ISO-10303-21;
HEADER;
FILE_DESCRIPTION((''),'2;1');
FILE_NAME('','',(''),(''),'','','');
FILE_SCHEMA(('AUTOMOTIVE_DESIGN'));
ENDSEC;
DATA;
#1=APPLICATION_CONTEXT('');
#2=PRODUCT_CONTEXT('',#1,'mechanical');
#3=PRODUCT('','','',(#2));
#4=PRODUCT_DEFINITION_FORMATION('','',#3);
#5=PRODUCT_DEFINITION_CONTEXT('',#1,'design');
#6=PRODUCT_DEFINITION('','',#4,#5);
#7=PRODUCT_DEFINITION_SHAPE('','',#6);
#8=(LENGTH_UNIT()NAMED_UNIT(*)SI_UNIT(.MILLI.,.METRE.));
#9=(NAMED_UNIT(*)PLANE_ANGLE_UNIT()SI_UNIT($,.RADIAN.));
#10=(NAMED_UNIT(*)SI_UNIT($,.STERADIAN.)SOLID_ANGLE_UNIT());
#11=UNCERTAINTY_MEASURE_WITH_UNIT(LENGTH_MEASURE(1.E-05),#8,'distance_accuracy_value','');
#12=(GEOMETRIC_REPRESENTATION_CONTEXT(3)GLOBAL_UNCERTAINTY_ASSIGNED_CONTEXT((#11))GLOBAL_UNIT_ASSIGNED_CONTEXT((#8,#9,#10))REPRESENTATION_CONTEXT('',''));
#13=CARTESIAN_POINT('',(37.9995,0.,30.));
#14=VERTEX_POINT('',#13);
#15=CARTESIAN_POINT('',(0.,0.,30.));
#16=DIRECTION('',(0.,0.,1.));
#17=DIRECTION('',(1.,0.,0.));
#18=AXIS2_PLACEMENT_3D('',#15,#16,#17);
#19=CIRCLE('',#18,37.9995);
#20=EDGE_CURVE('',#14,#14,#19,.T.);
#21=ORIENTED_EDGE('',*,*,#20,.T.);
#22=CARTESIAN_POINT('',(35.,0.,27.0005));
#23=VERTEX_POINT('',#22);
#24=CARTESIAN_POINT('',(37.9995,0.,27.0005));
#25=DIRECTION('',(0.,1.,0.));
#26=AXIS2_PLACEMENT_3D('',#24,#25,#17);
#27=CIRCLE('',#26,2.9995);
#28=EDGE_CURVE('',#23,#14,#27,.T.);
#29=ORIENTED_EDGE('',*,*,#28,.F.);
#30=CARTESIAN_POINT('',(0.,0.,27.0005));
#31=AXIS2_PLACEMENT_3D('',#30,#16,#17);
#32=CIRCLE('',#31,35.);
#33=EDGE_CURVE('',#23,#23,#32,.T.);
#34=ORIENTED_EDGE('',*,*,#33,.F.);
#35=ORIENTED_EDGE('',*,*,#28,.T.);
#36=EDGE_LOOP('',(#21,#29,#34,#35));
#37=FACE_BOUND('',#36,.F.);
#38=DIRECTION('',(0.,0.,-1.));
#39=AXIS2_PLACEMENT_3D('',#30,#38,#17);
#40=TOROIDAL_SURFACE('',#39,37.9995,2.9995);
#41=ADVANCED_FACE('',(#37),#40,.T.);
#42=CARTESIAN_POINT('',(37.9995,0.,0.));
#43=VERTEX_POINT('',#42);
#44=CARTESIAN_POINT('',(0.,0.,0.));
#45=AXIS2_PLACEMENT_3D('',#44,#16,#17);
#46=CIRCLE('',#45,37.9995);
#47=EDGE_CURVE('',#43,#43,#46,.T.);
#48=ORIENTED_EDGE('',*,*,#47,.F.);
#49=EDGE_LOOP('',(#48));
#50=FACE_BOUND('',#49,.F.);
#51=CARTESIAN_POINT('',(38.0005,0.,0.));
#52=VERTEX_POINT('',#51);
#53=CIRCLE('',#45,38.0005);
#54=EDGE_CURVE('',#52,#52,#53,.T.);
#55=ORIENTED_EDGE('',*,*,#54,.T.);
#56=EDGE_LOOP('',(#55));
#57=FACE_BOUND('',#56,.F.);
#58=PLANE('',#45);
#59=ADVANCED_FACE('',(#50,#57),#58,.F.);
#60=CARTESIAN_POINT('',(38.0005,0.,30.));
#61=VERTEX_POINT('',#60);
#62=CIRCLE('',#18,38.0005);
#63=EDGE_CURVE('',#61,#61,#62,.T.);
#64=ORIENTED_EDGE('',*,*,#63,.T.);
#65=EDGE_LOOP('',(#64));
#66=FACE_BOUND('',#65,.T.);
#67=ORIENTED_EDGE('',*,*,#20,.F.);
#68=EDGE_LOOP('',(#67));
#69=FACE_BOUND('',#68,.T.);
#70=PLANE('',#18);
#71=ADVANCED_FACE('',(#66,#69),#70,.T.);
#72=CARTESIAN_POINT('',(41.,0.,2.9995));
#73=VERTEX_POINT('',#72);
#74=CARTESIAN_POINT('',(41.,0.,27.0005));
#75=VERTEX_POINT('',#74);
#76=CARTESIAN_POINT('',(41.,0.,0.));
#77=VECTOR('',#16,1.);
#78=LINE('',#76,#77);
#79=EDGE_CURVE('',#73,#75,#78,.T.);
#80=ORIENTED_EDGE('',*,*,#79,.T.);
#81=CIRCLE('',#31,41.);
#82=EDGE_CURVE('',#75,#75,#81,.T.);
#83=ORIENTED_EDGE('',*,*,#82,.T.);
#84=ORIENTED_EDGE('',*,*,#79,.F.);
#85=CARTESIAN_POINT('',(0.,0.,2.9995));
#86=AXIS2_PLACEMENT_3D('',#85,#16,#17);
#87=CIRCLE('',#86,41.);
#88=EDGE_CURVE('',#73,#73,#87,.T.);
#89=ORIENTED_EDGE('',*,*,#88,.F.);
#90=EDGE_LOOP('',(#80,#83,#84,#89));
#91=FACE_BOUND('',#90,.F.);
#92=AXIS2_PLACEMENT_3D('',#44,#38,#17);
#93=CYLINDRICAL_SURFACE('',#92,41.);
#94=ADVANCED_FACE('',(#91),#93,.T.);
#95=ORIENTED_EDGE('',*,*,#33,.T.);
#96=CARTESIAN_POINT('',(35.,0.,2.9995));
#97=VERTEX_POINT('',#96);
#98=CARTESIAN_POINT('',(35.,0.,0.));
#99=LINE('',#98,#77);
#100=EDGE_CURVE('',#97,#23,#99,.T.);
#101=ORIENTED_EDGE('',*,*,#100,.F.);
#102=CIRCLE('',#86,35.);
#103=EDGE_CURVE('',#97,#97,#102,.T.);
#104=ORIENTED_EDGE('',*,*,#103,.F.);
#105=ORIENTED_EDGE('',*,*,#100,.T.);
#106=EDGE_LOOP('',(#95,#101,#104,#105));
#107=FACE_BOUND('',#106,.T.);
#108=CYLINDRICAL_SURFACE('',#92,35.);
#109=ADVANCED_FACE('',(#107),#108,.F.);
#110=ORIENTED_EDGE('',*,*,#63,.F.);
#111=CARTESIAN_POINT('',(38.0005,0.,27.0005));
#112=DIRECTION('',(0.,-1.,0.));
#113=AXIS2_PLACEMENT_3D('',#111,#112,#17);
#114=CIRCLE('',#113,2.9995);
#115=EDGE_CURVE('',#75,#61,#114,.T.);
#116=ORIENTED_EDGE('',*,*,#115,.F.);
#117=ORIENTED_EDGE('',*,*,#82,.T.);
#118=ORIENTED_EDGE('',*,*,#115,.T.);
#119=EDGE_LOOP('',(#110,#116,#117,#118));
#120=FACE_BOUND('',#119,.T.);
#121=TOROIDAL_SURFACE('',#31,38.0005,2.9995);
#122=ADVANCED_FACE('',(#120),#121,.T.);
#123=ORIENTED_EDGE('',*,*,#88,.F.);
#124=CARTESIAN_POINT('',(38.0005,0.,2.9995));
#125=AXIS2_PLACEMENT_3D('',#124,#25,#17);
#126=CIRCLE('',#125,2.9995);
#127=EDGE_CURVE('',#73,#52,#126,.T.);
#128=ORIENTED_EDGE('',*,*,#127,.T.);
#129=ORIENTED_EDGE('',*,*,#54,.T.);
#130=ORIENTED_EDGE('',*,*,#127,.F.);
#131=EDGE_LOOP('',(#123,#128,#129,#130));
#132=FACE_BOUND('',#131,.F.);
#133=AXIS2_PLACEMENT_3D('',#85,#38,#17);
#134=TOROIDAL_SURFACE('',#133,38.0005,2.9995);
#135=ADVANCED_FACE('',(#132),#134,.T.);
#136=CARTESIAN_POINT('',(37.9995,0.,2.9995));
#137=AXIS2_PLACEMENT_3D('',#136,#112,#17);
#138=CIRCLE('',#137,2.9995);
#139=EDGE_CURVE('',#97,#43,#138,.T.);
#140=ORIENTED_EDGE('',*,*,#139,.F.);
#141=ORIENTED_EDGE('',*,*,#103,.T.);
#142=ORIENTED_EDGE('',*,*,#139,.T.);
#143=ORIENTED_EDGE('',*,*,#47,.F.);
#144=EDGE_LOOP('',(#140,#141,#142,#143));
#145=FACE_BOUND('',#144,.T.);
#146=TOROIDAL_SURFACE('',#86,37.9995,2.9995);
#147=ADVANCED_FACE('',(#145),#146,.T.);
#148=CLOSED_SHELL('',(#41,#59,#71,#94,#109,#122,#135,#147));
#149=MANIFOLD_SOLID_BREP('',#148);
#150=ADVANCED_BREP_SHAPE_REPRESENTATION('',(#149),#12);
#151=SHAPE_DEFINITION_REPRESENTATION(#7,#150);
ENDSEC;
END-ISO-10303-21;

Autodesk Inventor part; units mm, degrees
ref_plane "YZ Plane" through (0, 0, 0) normal (1, 0, 0) x (0, 1, 0)
ref_plane "XZ Plane" through (0, 0, 0) normal (0, 1, 0) x (-1, 0, 0)
ref_plane "XY Plane" through (0, 0, 0) normal (0, 0, 1) x (1, 0, 0)
sketch "Sketch2" plane through (0, 0, 0) normal (0, 0, 1) x (1, 0, 0)
  circle A0 centre (0, 0) radius 35
  circle A1 centre (0, 0) radius 41
  dimension "d11" = 6
  dimension "d12" = 70
extrude "Extrusion2" add sketch "Sketch2" along normal blind 30
fillet "Fillet1" radius 3 4 edges at (-35, 0, 30) (-41, 0, 30) (-35, 0, 0) (-41, 0, 0)
properties part number "M15 - TX Coil" material "SAE 1020"
